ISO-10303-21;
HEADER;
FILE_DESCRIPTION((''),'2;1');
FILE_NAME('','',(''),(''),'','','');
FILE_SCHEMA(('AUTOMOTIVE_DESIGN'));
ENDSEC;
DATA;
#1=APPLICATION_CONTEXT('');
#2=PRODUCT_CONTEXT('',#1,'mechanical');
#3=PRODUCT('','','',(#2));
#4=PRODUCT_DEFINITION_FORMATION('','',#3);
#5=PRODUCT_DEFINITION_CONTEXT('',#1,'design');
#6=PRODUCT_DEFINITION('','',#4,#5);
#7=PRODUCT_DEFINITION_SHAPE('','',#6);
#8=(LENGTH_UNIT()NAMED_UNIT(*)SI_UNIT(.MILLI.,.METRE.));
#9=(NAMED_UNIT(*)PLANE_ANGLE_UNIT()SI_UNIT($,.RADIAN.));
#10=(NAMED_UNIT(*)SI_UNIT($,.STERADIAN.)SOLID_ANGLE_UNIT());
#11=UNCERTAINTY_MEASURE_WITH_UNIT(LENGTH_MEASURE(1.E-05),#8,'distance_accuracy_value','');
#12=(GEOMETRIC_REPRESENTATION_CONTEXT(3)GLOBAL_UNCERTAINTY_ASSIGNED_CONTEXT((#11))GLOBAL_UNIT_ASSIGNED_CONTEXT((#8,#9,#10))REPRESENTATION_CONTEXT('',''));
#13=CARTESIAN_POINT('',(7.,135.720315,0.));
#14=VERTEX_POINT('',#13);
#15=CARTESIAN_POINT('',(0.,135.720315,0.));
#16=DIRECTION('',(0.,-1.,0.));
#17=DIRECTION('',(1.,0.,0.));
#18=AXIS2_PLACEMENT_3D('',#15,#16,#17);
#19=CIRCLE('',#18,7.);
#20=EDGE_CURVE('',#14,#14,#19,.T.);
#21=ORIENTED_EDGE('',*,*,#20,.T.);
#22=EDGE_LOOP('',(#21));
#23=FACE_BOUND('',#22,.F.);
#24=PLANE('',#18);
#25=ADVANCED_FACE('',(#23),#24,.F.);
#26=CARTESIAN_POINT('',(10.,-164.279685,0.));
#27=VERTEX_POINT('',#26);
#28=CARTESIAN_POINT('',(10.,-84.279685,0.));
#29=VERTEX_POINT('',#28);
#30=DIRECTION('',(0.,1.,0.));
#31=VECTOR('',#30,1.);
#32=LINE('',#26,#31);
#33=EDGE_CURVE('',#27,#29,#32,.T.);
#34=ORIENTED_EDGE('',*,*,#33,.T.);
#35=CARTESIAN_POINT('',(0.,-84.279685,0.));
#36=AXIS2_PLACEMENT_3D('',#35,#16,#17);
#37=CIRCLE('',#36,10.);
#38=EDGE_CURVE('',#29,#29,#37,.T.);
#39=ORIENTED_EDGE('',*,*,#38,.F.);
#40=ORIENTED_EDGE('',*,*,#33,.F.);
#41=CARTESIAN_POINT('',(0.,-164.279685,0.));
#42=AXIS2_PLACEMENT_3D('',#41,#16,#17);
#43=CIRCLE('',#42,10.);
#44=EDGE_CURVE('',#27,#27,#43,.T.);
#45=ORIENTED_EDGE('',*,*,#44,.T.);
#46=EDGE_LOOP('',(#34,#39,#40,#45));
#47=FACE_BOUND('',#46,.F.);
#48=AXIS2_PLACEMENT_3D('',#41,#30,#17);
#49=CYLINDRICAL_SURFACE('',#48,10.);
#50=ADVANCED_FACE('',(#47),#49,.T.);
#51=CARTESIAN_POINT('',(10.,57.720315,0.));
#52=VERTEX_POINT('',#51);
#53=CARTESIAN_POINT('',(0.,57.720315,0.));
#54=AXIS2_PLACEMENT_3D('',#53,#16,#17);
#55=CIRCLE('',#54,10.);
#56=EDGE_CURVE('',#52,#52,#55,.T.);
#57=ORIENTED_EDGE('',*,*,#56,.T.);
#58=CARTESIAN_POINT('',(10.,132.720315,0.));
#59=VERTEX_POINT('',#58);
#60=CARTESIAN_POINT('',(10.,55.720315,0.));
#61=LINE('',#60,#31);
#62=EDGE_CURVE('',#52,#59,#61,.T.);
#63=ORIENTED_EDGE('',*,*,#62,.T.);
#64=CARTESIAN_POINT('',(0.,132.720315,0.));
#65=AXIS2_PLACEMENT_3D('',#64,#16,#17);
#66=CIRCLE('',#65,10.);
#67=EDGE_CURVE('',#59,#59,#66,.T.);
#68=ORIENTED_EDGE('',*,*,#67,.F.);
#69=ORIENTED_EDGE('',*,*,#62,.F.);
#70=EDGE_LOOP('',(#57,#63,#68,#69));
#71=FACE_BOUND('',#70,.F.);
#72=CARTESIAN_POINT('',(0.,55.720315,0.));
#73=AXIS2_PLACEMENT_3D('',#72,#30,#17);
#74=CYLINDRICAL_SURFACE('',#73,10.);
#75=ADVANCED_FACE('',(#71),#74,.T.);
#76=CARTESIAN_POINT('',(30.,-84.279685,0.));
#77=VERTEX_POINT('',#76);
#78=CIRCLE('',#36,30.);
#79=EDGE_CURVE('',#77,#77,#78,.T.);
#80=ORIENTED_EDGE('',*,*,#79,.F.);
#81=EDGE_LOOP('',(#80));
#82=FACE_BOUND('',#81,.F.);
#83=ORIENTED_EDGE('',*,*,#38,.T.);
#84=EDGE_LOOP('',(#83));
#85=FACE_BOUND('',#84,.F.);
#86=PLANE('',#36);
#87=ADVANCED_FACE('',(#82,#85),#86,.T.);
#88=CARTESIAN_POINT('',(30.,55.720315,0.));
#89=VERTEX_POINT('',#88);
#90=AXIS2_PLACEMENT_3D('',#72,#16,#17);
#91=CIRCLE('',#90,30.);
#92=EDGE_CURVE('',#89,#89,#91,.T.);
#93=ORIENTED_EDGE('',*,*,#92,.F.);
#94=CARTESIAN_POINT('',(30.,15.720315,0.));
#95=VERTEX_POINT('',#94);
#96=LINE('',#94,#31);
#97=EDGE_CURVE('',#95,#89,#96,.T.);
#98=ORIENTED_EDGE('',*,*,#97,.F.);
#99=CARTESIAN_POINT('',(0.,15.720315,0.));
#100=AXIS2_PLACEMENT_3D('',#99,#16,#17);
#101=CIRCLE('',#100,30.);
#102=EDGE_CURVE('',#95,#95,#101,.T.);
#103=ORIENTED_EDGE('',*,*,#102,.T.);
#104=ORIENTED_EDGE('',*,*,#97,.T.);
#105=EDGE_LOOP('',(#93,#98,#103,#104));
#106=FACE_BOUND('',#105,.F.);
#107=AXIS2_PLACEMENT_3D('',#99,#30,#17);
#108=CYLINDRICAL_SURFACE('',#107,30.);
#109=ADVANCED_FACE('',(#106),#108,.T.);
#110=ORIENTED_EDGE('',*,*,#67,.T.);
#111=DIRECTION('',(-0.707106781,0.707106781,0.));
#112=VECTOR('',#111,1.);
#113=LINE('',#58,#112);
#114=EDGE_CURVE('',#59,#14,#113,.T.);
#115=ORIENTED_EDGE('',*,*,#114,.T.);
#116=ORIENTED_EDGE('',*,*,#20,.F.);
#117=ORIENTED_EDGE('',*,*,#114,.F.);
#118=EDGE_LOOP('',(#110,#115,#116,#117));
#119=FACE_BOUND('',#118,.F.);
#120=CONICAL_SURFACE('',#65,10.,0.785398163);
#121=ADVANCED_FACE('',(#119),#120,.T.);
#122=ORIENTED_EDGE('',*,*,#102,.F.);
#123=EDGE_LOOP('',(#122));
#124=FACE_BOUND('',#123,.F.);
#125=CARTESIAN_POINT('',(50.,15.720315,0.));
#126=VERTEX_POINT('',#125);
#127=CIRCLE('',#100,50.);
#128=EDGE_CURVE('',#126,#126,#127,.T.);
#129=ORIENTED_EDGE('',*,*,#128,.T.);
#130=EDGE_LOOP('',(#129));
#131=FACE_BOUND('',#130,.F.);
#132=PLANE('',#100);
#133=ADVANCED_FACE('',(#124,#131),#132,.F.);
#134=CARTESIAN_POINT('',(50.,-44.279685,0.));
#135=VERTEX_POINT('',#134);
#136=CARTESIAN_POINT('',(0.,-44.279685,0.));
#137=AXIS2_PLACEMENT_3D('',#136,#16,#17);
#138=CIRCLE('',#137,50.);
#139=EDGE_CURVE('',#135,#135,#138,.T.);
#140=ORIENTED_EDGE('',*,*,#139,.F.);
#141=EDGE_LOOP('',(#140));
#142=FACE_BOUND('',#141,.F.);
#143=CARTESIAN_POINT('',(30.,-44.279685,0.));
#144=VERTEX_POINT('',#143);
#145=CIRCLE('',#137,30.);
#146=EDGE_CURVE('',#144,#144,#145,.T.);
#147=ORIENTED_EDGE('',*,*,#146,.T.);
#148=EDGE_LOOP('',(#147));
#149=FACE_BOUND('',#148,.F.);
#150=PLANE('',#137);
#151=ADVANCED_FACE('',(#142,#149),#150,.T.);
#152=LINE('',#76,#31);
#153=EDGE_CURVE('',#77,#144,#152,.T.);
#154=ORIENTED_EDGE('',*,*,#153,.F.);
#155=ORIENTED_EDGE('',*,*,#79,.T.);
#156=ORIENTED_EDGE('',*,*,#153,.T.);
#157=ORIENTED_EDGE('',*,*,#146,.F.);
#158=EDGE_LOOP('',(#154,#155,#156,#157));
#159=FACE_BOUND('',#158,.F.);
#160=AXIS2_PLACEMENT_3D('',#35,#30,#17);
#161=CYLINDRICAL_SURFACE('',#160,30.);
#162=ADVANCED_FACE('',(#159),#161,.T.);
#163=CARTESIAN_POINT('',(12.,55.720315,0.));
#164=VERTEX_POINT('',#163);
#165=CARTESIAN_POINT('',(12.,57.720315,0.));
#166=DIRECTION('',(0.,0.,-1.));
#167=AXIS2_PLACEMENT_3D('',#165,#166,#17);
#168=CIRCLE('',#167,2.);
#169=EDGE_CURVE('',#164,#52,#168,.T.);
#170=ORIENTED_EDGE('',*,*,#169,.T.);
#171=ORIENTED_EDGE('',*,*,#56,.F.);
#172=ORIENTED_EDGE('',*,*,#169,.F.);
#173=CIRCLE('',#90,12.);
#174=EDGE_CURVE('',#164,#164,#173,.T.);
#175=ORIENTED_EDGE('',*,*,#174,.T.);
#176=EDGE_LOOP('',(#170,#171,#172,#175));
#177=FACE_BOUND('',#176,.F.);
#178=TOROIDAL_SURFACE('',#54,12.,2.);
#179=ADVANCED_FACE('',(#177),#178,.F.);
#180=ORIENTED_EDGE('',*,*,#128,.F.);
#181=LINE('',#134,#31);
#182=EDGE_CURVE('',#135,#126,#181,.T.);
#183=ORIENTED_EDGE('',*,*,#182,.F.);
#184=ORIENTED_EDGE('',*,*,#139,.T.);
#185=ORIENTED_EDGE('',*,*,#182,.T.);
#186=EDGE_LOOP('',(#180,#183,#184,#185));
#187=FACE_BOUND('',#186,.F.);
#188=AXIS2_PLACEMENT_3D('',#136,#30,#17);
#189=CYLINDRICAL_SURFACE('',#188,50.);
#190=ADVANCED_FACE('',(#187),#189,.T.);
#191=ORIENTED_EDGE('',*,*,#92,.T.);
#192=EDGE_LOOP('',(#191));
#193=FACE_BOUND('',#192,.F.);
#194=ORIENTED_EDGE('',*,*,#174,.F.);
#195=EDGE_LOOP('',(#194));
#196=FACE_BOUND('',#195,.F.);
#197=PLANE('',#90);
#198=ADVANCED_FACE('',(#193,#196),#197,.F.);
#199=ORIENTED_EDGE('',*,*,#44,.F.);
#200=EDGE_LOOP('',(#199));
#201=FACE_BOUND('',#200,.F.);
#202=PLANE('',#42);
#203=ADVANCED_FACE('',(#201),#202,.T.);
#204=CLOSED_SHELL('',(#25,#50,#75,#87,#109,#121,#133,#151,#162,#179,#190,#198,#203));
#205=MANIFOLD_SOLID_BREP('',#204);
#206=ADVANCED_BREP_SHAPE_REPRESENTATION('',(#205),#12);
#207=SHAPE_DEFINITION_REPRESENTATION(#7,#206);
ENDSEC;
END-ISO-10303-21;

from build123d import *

# Parameters (mm, degrees)
F2_R    = 2
F3_SIZE = 3


with BuildPart() as f1:
    # F0 (on Top) → F1 (revolve)
    with BuildSketch(Plane.XY):
        Polygon((30, 55.720315), (10, 55.720315), (10, 135.720315), (0, 135.720315), (0, -164.279685), (10, -164.279685), (10, -84.279685), (30, -84.279685), (30, -44.279685), (50, -44.279685), (50, 15.720315), (30, 15.720315), align=None)
    revolve(axis=Axis((0, -14.279685, 0), (0, -1, 0)))

    # F2
    f2_edges = [f1.edges().sort_by_distance(p)[0] for p in [
        (-10, 55.720315, 0),
    ]]
    fillet(f2_edges, radius=F2_R)

    # F3
    f3_edges = [f1.edges().sort_by_distance(p)[0] for p in [
        (-10, 135.720315, 0),
    ]]
    chamfer(f3_edges, length=F3_SIZE)


solid = f1.part
